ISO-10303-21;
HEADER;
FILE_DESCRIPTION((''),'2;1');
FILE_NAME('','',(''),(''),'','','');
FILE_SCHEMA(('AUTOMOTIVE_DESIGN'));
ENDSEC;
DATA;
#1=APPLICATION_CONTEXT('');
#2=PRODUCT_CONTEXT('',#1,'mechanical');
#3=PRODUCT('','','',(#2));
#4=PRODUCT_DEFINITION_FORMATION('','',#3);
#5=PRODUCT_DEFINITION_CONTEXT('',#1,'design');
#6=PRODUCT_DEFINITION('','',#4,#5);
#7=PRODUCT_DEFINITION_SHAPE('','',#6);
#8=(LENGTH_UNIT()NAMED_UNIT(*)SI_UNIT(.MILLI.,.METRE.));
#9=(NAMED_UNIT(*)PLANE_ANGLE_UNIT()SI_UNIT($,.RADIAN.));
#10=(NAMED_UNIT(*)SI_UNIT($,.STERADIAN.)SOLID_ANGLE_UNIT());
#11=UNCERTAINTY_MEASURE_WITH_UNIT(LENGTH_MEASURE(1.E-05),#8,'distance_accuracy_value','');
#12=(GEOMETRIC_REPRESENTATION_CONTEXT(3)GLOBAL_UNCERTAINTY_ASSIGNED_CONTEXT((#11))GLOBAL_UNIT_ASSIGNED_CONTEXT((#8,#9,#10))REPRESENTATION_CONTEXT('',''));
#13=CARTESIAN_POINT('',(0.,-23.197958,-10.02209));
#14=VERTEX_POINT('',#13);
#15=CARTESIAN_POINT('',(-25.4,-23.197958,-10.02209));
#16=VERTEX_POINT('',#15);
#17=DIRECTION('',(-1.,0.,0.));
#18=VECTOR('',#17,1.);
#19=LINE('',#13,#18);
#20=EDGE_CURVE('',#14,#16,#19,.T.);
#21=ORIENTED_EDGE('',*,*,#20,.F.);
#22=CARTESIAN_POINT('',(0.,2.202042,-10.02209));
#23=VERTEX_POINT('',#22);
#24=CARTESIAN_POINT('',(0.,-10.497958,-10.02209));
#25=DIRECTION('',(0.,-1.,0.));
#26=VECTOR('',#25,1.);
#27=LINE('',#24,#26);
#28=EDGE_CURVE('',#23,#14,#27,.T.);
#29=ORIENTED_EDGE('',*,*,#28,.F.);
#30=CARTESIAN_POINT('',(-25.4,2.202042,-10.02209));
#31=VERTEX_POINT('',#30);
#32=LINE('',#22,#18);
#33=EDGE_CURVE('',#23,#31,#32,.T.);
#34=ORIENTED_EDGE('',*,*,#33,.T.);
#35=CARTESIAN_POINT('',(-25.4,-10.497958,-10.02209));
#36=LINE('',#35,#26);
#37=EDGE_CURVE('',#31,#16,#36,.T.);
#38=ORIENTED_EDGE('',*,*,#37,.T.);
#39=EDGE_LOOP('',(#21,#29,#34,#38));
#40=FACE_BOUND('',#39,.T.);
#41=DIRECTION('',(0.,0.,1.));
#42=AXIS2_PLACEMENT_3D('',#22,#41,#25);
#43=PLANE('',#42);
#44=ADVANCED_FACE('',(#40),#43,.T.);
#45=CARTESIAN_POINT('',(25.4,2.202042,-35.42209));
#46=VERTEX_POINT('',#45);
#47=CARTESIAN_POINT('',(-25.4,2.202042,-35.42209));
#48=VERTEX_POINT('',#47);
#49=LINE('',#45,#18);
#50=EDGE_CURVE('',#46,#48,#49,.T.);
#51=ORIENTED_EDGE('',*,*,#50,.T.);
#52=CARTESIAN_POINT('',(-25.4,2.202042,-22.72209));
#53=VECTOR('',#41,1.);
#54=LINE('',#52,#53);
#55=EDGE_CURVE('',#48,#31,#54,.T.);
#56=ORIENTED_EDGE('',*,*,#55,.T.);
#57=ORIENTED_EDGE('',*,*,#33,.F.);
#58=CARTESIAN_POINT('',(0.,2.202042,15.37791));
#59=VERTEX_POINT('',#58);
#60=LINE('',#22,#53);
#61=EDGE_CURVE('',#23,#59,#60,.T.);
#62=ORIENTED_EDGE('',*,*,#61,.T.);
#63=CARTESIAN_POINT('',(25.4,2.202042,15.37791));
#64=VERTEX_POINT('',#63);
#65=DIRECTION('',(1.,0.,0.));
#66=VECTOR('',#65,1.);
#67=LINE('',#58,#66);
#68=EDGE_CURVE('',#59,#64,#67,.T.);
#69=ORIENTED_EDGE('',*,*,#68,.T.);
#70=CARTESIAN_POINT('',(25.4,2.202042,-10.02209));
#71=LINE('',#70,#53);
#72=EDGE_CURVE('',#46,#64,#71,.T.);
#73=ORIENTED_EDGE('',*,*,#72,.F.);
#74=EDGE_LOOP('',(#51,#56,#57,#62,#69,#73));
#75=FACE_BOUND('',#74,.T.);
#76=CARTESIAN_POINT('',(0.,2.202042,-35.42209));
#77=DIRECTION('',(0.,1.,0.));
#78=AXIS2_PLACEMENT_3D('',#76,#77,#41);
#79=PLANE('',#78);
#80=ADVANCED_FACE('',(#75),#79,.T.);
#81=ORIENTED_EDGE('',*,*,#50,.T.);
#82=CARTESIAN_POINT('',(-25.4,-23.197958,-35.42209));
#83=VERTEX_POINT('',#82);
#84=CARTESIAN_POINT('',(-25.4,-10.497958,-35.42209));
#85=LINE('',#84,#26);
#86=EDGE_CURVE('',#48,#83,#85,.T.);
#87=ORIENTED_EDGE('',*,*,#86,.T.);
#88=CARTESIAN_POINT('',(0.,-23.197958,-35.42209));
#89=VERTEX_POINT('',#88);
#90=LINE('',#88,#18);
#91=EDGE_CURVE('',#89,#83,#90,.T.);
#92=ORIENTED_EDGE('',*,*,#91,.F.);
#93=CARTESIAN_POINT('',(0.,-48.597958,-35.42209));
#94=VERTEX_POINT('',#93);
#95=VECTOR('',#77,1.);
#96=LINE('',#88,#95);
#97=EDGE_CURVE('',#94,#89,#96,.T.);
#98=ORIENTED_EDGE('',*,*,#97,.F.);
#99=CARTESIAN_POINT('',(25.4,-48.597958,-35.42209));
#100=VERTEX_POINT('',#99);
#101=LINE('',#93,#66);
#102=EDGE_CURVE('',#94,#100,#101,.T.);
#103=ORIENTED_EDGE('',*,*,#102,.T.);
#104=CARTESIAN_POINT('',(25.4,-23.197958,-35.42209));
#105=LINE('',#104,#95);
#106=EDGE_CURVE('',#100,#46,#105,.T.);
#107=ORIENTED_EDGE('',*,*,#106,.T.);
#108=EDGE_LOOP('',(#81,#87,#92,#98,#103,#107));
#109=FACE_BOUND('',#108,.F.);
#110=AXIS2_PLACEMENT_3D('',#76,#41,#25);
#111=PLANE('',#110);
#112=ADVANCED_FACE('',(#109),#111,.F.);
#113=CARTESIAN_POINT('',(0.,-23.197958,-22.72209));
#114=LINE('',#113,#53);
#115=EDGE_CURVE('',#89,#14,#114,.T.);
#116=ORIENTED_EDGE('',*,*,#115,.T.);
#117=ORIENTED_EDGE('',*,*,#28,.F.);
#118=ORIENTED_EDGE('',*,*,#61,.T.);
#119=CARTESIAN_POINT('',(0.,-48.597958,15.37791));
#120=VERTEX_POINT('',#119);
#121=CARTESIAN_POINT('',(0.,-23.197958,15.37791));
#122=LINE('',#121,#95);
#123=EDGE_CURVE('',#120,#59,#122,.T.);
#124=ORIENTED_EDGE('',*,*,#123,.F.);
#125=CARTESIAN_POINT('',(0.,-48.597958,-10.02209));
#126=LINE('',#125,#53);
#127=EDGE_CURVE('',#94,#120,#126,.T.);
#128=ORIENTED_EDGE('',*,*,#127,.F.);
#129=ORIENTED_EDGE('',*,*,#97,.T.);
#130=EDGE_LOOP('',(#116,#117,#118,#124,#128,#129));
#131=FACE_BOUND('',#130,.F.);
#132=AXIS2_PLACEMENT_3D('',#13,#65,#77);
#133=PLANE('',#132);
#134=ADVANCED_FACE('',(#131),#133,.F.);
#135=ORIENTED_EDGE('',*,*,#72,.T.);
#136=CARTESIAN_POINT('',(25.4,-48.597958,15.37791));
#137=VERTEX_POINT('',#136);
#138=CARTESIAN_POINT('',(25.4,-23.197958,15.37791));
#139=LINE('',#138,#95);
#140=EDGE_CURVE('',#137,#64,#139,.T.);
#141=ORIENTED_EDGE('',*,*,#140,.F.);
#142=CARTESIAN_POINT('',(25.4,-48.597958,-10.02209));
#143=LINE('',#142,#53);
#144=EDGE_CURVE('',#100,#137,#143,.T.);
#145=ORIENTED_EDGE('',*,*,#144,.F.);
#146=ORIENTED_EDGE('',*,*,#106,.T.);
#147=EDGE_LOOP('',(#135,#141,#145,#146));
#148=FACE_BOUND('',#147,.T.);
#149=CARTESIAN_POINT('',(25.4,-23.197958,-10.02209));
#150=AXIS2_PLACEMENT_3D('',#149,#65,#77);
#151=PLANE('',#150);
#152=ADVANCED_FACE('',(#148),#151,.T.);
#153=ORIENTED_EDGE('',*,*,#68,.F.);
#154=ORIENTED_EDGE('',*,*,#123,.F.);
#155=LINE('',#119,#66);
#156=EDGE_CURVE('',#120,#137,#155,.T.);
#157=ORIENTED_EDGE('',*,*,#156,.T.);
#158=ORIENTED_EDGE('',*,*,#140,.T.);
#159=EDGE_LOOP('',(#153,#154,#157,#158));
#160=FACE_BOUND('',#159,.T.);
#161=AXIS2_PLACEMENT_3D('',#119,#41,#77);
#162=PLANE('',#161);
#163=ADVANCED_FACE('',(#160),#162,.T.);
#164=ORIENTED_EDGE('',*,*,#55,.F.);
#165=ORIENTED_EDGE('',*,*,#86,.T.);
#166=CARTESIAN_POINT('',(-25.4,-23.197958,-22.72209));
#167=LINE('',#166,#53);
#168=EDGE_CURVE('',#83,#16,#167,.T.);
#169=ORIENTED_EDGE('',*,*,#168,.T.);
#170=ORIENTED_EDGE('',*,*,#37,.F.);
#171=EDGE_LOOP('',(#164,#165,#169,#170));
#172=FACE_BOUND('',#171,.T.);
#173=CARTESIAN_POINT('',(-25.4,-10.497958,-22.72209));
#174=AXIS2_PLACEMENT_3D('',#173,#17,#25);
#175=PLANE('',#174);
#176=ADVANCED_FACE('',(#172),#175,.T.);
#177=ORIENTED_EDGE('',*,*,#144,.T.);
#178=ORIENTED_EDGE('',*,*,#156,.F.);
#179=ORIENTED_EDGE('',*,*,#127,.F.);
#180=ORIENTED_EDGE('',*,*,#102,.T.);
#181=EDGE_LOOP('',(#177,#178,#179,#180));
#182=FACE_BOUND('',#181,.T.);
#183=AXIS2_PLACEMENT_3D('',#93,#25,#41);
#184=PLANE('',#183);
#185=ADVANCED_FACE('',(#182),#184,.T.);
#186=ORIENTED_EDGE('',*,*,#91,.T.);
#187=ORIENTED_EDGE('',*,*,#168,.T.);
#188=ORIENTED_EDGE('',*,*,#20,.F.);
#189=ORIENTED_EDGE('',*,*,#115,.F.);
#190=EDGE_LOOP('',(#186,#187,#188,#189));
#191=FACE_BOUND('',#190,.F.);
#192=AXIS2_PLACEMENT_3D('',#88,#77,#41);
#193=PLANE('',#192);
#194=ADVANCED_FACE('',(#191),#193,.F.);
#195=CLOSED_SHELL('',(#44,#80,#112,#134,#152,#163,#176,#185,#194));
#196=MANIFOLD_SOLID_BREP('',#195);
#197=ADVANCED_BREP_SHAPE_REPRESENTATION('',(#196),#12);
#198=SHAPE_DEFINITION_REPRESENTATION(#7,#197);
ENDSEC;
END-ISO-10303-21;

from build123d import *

# Parameters (mm, degrees)
F0_W     = 50.8
F0_H     = 50.8
F1_DEPTH = 25.4
F2_W     = 25.4
F2_H     = 25.4
F3_DEPTH = 25.4


with BuildPart() as f1:
    # F0 (on Right) → F1 (new body)
    with BuildSketch(Plane.YZ):
        with Locations((-23.197958, -10.02209)):
            Rectangle(F0_W, F0_H)
    extrude(amount=F1_DEPTH)

    # F2 (on face) → F3 (join)
    with BuildSketch(Plane(origin=(0, 0, 0), x_dir=(0, -1, 0), z_dir=(-1, 0, 0))):
        with Locations((10.497958, -22.72209)):
            Rectangle(F2_W, F2_H)
    extrude(amount=F3_DEPTH)


solid = f1.part
